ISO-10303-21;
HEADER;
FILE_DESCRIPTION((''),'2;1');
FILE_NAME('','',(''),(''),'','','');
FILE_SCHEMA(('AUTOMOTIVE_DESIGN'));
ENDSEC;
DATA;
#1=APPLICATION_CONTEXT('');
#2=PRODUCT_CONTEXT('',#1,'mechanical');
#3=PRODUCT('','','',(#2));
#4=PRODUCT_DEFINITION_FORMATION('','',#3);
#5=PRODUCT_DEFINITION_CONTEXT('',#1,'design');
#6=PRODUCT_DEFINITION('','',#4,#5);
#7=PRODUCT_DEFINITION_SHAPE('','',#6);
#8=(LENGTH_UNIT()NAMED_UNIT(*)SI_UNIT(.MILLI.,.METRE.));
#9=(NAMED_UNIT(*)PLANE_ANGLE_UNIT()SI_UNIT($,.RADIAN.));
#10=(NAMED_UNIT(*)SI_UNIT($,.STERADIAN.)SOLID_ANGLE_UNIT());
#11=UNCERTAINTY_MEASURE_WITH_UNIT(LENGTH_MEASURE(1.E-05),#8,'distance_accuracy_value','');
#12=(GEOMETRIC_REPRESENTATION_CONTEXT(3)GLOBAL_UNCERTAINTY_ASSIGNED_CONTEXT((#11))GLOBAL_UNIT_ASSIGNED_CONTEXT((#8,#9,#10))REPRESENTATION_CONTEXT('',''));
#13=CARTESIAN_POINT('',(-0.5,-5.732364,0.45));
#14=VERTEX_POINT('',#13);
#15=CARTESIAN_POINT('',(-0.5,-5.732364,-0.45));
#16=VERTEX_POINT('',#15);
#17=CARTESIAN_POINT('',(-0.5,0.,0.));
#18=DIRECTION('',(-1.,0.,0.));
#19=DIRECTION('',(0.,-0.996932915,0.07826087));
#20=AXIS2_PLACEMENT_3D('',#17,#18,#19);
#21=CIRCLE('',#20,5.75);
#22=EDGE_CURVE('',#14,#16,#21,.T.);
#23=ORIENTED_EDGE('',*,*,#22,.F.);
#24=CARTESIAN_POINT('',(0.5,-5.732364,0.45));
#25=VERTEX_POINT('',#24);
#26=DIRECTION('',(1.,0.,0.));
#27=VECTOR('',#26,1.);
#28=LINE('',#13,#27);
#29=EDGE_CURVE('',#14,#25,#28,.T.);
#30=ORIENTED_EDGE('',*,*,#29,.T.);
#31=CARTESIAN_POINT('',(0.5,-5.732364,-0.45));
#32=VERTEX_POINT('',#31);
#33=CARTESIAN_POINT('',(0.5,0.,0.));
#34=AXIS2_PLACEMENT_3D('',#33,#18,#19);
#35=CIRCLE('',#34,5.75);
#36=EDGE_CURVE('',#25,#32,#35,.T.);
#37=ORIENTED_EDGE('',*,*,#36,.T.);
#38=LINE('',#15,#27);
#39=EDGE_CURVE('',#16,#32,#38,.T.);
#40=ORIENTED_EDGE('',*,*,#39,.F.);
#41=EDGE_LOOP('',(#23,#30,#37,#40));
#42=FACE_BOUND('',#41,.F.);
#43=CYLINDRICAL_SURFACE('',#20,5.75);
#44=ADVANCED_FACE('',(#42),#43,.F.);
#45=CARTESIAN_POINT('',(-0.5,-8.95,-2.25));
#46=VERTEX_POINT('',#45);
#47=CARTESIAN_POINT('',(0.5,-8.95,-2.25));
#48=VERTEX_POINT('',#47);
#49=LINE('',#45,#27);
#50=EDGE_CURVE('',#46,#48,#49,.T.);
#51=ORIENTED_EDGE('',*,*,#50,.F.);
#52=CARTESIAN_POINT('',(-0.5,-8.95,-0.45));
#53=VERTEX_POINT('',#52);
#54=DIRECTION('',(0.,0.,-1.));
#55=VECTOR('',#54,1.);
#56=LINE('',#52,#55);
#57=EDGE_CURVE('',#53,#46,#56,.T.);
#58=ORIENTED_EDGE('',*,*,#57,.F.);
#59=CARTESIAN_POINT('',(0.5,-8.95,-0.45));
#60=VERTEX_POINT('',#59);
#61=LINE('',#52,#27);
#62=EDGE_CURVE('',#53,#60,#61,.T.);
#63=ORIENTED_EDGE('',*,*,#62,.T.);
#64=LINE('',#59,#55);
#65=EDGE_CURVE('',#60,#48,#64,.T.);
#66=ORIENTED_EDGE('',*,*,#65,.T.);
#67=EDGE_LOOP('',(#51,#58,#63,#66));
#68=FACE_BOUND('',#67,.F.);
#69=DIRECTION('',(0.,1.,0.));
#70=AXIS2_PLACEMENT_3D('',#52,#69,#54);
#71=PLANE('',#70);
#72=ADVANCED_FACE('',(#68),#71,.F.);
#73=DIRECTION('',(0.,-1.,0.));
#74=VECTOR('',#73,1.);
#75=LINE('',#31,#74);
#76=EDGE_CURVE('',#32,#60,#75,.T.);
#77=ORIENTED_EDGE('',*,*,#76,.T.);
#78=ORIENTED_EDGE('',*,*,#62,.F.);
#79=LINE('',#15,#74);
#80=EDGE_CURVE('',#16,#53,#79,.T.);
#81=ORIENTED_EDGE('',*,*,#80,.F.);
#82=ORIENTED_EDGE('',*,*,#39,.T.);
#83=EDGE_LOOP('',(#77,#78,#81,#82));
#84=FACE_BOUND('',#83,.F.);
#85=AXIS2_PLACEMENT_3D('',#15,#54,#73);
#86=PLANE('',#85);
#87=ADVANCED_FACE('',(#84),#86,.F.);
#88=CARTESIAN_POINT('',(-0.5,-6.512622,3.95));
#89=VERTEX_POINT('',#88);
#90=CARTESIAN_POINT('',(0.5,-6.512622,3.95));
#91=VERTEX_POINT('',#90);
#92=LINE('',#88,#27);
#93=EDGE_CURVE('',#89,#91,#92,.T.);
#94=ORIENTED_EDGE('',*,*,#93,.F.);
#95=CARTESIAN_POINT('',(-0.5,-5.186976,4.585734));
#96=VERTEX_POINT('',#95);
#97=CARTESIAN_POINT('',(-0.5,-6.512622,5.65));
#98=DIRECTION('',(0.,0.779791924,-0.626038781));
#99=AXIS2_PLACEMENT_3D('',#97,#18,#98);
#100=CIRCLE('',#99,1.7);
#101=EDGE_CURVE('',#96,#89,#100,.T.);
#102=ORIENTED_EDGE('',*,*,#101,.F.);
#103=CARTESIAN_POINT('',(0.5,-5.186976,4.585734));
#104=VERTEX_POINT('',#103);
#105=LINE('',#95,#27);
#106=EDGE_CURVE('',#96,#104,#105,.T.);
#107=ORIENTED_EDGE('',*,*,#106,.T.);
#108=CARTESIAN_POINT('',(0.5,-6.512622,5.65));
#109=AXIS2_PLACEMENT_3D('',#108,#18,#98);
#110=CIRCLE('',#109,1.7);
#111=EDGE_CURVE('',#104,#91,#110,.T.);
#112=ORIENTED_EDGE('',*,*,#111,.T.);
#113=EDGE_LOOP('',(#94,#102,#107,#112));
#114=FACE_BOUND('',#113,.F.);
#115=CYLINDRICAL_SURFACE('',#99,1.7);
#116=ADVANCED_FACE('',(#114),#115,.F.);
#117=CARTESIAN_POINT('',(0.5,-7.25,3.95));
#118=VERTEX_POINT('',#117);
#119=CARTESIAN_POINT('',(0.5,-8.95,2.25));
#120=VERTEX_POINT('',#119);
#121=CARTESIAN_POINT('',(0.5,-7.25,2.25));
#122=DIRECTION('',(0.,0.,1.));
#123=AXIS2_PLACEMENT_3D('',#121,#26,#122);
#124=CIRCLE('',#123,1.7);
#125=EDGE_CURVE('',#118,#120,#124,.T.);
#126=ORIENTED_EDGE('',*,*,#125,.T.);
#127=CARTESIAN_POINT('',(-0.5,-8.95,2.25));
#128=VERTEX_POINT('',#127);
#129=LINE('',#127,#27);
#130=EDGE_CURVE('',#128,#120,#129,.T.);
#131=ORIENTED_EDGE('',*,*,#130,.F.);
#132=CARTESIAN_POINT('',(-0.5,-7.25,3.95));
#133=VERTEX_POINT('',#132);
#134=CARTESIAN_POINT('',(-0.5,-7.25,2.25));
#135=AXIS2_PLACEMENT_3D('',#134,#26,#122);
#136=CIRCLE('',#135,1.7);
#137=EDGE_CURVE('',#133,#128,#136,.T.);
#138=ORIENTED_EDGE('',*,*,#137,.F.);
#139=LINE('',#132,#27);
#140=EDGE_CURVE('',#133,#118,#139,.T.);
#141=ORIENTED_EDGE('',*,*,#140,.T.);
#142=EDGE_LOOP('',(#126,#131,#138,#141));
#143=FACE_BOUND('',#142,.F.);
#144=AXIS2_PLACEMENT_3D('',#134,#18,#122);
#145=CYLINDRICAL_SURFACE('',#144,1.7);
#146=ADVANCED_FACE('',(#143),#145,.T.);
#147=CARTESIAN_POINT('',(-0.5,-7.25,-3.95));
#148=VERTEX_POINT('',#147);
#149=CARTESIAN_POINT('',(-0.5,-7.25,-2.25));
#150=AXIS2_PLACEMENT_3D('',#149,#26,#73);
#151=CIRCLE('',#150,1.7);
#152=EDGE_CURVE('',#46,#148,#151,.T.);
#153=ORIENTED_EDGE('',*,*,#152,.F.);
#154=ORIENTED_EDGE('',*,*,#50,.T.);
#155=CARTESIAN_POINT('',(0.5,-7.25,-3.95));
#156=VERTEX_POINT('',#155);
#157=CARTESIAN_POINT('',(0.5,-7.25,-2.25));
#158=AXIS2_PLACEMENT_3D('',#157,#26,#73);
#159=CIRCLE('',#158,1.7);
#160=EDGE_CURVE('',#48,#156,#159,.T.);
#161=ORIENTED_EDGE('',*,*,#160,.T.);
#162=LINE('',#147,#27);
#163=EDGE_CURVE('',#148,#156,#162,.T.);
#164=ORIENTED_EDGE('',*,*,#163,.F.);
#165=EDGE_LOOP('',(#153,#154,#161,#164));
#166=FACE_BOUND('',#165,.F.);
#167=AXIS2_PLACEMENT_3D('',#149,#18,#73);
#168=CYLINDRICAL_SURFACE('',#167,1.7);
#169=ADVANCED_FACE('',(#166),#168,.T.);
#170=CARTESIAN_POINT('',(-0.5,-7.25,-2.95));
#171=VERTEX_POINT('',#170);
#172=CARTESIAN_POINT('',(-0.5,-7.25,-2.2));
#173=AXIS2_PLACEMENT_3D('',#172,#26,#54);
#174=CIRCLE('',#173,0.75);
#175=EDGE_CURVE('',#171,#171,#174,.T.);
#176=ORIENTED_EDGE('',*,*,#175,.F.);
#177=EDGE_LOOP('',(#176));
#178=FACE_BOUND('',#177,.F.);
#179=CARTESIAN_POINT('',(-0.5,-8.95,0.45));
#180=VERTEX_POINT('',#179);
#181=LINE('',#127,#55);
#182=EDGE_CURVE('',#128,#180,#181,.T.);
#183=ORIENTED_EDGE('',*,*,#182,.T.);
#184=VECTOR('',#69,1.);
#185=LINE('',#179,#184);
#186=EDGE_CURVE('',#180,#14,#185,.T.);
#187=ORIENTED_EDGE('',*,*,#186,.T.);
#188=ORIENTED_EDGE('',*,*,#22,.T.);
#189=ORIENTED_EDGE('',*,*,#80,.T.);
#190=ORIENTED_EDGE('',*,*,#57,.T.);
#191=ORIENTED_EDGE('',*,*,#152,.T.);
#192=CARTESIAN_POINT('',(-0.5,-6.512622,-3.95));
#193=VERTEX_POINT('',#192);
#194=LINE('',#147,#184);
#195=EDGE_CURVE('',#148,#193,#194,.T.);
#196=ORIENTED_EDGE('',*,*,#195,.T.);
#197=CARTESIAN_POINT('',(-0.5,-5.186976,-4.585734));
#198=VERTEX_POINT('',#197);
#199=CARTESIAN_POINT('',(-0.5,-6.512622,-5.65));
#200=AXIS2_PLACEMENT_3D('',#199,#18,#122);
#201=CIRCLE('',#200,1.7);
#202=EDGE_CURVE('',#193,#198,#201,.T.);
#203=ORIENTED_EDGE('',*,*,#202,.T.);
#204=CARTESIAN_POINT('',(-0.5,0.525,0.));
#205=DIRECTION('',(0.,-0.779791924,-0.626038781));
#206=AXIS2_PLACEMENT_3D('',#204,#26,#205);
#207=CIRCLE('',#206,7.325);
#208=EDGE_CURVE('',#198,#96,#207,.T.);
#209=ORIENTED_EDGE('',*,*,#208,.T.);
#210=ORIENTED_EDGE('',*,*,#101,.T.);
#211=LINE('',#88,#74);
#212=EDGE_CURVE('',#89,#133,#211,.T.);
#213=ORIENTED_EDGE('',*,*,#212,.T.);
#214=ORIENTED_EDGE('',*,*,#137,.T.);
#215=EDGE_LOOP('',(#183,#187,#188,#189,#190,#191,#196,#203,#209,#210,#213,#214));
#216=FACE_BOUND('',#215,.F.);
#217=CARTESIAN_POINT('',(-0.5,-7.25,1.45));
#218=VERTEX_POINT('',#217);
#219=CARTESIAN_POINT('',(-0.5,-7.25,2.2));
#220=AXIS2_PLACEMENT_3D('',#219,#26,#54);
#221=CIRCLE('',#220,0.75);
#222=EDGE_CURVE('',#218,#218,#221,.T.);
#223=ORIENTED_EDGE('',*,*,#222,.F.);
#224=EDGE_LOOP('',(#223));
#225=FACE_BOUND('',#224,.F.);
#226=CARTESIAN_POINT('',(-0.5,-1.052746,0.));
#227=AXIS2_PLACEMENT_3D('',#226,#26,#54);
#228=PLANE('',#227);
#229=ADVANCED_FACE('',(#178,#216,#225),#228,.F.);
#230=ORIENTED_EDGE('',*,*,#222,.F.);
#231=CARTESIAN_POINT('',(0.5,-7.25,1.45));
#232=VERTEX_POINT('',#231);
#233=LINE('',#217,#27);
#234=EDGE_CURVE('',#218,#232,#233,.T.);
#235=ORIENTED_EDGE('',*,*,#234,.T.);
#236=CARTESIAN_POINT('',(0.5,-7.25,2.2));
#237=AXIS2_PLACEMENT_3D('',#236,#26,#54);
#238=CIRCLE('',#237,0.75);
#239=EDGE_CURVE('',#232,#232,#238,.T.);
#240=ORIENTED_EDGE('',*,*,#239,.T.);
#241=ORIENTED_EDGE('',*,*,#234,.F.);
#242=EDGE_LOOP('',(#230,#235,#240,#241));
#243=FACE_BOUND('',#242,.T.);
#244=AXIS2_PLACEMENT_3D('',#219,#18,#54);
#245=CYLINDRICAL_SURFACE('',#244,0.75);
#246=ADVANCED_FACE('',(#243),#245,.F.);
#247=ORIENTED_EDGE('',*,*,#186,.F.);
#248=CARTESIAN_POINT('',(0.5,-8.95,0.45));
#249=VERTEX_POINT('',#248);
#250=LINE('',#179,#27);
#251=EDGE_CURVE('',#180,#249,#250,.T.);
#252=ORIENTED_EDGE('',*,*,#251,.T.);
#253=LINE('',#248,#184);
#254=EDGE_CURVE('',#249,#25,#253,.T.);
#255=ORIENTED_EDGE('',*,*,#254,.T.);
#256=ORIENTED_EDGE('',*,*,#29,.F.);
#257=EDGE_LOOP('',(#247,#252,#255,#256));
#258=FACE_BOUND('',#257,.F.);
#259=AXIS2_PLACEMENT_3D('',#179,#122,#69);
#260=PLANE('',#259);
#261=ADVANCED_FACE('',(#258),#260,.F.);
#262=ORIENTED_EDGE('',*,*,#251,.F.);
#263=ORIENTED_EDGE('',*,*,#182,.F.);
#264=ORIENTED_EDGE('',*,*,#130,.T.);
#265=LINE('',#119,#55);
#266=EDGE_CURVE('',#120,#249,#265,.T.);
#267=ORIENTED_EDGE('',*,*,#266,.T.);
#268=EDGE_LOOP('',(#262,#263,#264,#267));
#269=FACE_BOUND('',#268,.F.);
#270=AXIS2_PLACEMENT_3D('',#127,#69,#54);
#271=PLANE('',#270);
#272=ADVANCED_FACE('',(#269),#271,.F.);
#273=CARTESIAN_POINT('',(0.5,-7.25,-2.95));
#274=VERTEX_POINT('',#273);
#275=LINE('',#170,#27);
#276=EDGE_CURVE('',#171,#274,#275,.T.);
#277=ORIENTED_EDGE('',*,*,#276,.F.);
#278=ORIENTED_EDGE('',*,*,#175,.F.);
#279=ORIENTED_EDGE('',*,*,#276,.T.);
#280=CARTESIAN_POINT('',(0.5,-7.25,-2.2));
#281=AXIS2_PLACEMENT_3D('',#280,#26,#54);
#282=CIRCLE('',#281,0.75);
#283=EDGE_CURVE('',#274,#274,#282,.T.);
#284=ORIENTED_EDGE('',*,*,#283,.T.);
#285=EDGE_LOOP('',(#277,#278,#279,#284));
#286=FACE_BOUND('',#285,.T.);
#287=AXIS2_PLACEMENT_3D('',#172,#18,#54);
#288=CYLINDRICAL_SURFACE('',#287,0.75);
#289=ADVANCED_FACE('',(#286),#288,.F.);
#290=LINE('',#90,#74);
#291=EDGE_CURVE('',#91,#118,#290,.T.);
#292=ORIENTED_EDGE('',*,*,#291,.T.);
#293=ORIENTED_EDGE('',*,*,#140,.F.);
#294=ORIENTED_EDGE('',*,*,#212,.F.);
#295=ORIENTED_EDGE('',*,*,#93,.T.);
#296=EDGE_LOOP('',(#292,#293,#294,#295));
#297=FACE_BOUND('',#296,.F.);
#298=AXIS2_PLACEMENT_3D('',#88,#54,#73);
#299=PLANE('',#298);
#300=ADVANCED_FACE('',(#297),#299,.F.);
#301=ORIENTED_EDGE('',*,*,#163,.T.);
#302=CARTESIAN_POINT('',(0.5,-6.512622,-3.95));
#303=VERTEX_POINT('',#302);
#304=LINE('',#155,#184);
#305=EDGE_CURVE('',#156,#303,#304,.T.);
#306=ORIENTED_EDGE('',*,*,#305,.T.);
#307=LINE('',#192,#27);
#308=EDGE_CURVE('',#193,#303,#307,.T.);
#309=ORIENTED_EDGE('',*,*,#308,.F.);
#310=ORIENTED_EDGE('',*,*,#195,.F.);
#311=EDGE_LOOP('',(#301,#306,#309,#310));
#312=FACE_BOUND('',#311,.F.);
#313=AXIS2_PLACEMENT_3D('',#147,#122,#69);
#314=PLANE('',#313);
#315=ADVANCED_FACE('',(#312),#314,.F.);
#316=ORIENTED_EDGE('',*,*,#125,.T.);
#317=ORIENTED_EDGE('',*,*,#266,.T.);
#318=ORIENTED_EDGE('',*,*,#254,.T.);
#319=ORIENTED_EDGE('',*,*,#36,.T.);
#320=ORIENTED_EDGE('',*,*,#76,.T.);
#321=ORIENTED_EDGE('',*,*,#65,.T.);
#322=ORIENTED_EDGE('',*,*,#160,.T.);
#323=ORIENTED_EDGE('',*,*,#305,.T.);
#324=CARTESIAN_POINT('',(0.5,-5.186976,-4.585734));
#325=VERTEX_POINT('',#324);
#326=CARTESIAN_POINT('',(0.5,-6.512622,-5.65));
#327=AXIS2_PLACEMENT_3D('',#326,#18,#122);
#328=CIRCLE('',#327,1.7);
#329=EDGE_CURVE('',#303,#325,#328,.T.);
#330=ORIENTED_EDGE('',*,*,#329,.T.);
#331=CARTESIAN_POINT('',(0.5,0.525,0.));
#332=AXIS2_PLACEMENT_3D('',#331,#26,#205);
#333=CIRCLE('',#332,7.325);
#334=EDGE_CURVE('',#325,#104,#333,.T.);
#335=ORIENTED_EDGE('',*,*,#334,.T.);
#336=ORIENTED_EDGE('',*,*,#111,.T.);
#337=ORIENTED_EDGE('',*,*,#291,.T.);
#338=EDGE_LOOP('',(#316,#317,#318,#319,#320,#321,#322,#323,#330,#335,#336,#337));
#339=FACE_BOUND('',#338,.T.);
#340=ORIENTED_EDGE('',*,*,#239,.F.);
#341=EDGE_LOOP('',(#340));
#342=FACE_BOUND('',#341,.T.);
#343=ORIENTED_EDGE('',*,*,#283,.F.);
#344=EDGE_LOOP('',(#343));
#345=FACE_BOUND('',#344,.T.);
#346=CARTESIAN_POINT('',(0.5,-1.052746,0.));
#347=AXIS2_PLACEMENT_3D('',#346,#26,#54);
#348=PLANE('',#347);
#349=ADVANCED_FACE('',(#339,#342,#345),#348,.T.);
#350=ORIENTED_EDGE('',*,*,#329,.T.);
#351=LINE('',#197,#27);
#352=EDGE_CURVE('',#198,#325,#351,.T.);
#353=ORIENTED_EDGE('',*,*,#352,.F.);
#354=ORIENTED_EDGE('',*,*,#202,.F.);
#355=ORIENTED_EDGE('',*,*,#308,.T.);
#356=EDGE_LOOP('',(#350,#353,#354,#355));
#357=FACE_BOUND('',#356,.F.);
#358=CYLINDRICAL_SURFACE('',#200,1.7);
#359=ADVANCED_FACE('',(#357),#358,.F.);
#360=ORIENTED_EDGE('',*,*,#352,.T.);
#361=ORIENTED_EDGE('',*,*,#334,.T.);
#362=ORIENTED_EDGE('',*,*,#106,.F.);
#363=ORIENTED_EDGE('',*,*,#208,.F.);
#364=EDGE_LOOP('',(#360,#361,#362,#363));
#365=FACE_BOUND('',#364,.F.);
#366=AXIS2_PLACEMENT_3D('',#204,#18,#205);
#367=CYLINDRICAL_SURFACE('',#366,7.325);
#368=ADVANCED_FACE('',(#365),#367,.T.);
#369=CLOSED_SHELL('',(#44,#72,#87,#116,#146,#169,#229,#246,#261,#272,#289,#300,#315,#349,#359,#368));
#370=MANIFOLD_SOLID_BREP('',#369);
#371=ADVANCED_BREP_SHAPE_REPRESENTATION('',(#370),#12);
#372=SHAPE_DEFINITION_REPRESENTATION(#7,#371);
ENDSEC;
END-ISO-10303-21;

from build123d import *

# Parameters (mm, degrees)
EXTRUDE_1_DEPTH      = 0.5
EXTRUDE_1_DEPTH_BACK = 0.5
SKETCH_1_R           = 0.75


with BuildPart() as part:
    # ｽｹｯﾁ1 → ﾎﾞｽ - 押し出し1 (new, two sides: drawn at the far end of the back side and taken through both)
    with BuildSketch(Plane(origin=(0, 0, 0), x_dir=(0, 0, -1), z_dir=(1, 0, 0)).offset(-EXTRUDE_1_DEPTH_BACK)):
        with BuildLine():
            Line((-3.95, -6.512622113), (-3.95, -7.25))
            ThreePointArc((-3.95, -7.25), (-3.452081528, -8.452081528), (-2.25, -8.95))
            Line((-2.25, -8.95), (-0.45, -8.95))
            Line((-0.45, -8.95), (-0.45, -5.732364259))
            ThreePointArc((-0.45, -5.732364259), (0, 5.75), (0.45, -5.732364259))
            Line((0.45, -5.732364259), (0.45, -8.95))
            Line((0.45, -8.95), (2.25, -8.95))
            ThreePointArc((2.25, -8.95), (3.452081528, -8.452081528), (3.95, -7.25))
            Line((3.95, -7.25), (3.95, -6.512622113))
            ThreePointArc((3.95, -6.512622113), (4.117151006, -5.777520785), (4.585734072, -5.186975842))
            ThreePointArc((4.585734072, -5.186975842), (0, 7.85), (-4.585734072, -5.186975842))
            ThreePointArc((-4.585734072, -5.186975842), (-4.117151006, -5.777520785), (-3.95, -6.512622113))
        make_face()
        with Locations((2.2, -7.25)):
            Circle(SKETCH_1_R, mode=Mode.SUBTRACT)
        with Locations((-2.2, -7.25)):
            Circle(SKETCH_1_R, mode=Mode.SUBTRACT)
    extrude(amount=EXTRUDE_1_DEPTH + EXTRUDE_1_DEPTH_BACK)


solid = part.part
